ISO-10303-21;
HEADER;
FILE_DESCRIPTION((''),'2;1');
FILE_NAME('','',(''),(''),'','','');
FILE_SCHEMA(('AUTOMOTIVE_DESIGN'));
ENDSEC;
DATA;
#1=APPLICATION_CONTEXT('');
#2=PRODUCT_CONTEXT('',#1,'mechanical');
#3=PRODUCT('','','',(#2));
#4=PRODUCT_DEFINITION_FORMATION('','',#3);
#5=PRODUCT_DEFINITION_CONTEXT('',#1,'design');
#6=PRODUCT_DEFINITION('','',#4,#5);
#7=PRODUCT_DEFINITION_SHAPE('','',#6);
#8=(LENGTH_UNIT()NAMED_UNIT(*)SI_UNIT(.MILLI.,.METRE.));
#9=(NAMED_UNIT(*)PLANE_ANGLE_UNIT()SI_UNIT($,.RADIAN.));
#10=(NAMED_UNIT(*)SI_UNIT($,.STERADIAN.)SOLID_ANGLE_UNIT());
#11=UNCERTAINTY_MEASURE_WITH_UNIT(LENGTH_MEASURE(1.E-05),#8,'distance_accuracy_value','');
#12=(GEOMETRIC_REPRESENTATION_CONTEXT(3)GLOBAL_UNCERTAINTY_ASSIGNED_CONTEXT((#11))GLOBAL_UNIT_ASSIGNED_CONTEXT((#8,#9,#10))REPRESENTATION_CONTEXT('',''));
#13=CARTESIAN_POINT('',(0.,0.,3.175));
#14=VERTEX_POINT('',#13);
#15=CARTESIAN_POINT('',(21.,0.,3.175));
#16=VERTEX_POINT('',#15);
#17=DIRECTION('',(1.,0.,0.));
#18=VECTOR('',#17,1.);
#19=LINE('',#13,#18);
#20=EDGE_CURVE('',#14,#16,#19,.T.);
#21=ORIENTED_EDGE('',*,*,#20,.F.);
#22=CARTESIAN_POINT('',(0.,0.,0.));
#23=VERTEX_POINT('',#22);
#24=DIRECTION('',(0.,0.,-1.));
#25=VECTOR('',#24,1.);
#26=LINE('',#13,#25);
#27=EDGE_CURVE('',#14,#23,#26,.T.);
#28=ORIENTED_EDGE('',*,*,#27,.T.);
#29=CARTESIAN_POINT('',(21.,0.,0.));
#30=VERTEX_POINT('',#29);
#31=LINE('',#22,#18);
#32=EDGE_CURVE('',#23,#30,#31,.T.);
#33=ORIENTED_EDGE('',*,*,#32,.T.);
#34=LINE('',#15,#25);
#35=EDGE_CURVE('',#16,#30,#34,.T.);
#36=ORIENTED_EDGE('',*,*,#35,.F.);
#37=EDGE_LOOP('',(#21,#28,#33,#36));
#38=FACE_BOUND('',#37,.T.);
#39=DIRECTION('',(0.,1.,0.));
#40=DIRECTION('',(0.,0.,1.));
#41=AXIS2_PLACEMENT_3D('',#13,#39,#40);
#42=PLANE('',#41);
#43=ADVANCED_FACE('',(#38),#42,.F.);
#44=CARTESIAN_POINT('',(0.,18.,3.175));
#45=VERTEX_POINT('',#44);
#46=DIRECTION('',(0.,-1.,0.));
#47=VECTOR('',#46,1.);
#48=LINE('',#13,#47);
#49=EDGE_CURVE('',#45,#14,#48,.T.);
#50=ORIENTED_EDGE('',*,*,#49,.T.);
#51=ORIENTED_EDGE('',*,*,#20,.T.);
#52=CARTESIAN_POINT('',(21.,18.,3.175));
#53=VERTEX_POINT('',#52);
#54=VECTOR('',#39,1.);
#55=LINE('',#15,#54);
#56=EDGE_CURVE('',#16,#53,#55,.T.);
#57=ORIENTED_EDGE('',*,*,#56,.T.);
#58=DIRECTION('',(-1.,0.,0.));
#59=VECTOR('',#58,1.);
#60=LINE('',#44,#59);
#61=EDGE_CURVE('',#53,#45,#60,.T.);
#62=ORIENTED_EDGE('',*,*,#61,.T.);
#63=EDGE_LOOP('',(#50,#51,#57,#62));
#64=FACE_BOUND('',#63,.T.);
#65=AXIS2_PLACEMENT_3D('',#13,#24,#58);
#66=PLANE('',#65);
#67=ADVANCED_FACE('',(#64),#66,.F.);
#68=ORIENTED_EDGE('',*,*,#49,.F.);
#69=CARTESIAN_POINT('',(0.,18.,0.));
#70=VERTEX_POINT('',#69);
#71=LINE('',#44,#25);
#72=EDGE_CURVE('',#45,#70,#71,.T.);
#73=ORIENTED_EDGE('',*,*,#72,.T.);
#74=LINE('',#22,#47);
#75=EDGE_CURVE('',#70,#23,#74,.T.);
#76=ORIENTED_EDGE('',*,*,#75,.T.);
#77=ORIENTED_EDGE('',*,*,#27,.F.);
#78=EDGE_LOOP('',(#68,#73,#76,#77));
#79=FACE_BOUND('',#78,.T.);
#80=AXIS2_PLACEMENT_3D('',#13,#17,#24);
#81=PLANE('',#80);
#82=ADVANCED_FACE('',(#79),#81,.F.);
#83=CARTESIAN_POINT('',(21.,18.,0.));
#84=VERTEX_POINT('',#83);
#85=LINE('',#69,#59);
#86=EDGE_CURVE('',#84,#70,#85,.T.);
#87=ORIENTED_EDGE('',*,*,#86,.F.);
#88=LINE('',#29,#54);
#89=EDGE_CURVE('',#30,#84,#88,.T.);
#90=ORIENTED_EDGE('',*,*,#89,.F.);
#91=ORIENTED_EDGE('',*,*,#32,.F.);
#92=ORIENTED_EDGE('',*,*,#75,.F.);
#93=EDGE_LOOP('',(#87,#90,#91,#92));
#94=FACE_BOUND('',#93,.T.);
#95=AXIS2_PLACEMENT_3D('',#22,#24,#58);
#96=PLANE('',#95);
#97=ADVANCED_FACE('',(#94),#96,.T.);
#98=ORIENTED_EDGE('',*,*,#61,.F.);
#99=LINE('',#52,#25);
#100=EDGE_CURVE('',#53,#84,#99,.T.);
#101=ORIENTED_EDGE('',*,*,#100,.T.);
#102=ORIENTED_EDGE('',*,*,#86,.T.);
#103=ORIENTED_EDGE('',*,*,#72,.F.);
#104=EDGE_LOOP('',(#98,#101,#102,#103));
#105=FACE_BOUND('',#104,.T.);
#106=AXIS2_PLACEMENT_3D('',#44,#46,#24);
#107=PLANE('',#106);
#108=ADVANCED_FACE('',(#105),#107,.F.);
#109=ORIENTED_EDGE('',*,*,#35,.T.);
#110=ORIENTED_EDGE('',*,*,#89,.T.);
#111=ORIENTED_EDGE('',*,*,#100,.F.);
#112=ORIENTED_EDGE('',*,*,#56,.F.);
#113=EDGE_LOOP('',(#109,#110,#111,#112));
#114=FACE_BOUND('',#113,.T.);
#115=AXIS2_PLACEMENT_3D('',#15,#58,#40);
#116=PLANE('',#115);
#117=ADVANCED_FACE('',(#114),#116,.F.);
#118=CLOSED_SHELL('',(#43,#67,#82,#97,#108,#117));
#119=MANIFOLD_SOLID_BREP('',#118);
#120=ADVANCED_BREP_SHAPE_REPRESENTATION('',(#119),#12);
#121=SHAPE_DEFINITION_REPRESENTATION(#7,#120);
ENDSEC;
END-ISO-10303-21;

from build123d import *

# Parameters (mm, degrees)
SKETCH1_W           = 21
SKETCH1_H           = 18
BOSS_EXTRUDE1_DEPTH = 3.175


with BuildPart() as part:
    # Sketch1 → Boss-Extrude1 (new body)
    with BuildSketch(Plane.XY):
        with Locations((10.5, 9)):
            Rectangle(SKETCH1_W, SKETCH1_H)
    extrude(amount=BOSS_EXTRUDE1_DEPTH)


solid = part.part
